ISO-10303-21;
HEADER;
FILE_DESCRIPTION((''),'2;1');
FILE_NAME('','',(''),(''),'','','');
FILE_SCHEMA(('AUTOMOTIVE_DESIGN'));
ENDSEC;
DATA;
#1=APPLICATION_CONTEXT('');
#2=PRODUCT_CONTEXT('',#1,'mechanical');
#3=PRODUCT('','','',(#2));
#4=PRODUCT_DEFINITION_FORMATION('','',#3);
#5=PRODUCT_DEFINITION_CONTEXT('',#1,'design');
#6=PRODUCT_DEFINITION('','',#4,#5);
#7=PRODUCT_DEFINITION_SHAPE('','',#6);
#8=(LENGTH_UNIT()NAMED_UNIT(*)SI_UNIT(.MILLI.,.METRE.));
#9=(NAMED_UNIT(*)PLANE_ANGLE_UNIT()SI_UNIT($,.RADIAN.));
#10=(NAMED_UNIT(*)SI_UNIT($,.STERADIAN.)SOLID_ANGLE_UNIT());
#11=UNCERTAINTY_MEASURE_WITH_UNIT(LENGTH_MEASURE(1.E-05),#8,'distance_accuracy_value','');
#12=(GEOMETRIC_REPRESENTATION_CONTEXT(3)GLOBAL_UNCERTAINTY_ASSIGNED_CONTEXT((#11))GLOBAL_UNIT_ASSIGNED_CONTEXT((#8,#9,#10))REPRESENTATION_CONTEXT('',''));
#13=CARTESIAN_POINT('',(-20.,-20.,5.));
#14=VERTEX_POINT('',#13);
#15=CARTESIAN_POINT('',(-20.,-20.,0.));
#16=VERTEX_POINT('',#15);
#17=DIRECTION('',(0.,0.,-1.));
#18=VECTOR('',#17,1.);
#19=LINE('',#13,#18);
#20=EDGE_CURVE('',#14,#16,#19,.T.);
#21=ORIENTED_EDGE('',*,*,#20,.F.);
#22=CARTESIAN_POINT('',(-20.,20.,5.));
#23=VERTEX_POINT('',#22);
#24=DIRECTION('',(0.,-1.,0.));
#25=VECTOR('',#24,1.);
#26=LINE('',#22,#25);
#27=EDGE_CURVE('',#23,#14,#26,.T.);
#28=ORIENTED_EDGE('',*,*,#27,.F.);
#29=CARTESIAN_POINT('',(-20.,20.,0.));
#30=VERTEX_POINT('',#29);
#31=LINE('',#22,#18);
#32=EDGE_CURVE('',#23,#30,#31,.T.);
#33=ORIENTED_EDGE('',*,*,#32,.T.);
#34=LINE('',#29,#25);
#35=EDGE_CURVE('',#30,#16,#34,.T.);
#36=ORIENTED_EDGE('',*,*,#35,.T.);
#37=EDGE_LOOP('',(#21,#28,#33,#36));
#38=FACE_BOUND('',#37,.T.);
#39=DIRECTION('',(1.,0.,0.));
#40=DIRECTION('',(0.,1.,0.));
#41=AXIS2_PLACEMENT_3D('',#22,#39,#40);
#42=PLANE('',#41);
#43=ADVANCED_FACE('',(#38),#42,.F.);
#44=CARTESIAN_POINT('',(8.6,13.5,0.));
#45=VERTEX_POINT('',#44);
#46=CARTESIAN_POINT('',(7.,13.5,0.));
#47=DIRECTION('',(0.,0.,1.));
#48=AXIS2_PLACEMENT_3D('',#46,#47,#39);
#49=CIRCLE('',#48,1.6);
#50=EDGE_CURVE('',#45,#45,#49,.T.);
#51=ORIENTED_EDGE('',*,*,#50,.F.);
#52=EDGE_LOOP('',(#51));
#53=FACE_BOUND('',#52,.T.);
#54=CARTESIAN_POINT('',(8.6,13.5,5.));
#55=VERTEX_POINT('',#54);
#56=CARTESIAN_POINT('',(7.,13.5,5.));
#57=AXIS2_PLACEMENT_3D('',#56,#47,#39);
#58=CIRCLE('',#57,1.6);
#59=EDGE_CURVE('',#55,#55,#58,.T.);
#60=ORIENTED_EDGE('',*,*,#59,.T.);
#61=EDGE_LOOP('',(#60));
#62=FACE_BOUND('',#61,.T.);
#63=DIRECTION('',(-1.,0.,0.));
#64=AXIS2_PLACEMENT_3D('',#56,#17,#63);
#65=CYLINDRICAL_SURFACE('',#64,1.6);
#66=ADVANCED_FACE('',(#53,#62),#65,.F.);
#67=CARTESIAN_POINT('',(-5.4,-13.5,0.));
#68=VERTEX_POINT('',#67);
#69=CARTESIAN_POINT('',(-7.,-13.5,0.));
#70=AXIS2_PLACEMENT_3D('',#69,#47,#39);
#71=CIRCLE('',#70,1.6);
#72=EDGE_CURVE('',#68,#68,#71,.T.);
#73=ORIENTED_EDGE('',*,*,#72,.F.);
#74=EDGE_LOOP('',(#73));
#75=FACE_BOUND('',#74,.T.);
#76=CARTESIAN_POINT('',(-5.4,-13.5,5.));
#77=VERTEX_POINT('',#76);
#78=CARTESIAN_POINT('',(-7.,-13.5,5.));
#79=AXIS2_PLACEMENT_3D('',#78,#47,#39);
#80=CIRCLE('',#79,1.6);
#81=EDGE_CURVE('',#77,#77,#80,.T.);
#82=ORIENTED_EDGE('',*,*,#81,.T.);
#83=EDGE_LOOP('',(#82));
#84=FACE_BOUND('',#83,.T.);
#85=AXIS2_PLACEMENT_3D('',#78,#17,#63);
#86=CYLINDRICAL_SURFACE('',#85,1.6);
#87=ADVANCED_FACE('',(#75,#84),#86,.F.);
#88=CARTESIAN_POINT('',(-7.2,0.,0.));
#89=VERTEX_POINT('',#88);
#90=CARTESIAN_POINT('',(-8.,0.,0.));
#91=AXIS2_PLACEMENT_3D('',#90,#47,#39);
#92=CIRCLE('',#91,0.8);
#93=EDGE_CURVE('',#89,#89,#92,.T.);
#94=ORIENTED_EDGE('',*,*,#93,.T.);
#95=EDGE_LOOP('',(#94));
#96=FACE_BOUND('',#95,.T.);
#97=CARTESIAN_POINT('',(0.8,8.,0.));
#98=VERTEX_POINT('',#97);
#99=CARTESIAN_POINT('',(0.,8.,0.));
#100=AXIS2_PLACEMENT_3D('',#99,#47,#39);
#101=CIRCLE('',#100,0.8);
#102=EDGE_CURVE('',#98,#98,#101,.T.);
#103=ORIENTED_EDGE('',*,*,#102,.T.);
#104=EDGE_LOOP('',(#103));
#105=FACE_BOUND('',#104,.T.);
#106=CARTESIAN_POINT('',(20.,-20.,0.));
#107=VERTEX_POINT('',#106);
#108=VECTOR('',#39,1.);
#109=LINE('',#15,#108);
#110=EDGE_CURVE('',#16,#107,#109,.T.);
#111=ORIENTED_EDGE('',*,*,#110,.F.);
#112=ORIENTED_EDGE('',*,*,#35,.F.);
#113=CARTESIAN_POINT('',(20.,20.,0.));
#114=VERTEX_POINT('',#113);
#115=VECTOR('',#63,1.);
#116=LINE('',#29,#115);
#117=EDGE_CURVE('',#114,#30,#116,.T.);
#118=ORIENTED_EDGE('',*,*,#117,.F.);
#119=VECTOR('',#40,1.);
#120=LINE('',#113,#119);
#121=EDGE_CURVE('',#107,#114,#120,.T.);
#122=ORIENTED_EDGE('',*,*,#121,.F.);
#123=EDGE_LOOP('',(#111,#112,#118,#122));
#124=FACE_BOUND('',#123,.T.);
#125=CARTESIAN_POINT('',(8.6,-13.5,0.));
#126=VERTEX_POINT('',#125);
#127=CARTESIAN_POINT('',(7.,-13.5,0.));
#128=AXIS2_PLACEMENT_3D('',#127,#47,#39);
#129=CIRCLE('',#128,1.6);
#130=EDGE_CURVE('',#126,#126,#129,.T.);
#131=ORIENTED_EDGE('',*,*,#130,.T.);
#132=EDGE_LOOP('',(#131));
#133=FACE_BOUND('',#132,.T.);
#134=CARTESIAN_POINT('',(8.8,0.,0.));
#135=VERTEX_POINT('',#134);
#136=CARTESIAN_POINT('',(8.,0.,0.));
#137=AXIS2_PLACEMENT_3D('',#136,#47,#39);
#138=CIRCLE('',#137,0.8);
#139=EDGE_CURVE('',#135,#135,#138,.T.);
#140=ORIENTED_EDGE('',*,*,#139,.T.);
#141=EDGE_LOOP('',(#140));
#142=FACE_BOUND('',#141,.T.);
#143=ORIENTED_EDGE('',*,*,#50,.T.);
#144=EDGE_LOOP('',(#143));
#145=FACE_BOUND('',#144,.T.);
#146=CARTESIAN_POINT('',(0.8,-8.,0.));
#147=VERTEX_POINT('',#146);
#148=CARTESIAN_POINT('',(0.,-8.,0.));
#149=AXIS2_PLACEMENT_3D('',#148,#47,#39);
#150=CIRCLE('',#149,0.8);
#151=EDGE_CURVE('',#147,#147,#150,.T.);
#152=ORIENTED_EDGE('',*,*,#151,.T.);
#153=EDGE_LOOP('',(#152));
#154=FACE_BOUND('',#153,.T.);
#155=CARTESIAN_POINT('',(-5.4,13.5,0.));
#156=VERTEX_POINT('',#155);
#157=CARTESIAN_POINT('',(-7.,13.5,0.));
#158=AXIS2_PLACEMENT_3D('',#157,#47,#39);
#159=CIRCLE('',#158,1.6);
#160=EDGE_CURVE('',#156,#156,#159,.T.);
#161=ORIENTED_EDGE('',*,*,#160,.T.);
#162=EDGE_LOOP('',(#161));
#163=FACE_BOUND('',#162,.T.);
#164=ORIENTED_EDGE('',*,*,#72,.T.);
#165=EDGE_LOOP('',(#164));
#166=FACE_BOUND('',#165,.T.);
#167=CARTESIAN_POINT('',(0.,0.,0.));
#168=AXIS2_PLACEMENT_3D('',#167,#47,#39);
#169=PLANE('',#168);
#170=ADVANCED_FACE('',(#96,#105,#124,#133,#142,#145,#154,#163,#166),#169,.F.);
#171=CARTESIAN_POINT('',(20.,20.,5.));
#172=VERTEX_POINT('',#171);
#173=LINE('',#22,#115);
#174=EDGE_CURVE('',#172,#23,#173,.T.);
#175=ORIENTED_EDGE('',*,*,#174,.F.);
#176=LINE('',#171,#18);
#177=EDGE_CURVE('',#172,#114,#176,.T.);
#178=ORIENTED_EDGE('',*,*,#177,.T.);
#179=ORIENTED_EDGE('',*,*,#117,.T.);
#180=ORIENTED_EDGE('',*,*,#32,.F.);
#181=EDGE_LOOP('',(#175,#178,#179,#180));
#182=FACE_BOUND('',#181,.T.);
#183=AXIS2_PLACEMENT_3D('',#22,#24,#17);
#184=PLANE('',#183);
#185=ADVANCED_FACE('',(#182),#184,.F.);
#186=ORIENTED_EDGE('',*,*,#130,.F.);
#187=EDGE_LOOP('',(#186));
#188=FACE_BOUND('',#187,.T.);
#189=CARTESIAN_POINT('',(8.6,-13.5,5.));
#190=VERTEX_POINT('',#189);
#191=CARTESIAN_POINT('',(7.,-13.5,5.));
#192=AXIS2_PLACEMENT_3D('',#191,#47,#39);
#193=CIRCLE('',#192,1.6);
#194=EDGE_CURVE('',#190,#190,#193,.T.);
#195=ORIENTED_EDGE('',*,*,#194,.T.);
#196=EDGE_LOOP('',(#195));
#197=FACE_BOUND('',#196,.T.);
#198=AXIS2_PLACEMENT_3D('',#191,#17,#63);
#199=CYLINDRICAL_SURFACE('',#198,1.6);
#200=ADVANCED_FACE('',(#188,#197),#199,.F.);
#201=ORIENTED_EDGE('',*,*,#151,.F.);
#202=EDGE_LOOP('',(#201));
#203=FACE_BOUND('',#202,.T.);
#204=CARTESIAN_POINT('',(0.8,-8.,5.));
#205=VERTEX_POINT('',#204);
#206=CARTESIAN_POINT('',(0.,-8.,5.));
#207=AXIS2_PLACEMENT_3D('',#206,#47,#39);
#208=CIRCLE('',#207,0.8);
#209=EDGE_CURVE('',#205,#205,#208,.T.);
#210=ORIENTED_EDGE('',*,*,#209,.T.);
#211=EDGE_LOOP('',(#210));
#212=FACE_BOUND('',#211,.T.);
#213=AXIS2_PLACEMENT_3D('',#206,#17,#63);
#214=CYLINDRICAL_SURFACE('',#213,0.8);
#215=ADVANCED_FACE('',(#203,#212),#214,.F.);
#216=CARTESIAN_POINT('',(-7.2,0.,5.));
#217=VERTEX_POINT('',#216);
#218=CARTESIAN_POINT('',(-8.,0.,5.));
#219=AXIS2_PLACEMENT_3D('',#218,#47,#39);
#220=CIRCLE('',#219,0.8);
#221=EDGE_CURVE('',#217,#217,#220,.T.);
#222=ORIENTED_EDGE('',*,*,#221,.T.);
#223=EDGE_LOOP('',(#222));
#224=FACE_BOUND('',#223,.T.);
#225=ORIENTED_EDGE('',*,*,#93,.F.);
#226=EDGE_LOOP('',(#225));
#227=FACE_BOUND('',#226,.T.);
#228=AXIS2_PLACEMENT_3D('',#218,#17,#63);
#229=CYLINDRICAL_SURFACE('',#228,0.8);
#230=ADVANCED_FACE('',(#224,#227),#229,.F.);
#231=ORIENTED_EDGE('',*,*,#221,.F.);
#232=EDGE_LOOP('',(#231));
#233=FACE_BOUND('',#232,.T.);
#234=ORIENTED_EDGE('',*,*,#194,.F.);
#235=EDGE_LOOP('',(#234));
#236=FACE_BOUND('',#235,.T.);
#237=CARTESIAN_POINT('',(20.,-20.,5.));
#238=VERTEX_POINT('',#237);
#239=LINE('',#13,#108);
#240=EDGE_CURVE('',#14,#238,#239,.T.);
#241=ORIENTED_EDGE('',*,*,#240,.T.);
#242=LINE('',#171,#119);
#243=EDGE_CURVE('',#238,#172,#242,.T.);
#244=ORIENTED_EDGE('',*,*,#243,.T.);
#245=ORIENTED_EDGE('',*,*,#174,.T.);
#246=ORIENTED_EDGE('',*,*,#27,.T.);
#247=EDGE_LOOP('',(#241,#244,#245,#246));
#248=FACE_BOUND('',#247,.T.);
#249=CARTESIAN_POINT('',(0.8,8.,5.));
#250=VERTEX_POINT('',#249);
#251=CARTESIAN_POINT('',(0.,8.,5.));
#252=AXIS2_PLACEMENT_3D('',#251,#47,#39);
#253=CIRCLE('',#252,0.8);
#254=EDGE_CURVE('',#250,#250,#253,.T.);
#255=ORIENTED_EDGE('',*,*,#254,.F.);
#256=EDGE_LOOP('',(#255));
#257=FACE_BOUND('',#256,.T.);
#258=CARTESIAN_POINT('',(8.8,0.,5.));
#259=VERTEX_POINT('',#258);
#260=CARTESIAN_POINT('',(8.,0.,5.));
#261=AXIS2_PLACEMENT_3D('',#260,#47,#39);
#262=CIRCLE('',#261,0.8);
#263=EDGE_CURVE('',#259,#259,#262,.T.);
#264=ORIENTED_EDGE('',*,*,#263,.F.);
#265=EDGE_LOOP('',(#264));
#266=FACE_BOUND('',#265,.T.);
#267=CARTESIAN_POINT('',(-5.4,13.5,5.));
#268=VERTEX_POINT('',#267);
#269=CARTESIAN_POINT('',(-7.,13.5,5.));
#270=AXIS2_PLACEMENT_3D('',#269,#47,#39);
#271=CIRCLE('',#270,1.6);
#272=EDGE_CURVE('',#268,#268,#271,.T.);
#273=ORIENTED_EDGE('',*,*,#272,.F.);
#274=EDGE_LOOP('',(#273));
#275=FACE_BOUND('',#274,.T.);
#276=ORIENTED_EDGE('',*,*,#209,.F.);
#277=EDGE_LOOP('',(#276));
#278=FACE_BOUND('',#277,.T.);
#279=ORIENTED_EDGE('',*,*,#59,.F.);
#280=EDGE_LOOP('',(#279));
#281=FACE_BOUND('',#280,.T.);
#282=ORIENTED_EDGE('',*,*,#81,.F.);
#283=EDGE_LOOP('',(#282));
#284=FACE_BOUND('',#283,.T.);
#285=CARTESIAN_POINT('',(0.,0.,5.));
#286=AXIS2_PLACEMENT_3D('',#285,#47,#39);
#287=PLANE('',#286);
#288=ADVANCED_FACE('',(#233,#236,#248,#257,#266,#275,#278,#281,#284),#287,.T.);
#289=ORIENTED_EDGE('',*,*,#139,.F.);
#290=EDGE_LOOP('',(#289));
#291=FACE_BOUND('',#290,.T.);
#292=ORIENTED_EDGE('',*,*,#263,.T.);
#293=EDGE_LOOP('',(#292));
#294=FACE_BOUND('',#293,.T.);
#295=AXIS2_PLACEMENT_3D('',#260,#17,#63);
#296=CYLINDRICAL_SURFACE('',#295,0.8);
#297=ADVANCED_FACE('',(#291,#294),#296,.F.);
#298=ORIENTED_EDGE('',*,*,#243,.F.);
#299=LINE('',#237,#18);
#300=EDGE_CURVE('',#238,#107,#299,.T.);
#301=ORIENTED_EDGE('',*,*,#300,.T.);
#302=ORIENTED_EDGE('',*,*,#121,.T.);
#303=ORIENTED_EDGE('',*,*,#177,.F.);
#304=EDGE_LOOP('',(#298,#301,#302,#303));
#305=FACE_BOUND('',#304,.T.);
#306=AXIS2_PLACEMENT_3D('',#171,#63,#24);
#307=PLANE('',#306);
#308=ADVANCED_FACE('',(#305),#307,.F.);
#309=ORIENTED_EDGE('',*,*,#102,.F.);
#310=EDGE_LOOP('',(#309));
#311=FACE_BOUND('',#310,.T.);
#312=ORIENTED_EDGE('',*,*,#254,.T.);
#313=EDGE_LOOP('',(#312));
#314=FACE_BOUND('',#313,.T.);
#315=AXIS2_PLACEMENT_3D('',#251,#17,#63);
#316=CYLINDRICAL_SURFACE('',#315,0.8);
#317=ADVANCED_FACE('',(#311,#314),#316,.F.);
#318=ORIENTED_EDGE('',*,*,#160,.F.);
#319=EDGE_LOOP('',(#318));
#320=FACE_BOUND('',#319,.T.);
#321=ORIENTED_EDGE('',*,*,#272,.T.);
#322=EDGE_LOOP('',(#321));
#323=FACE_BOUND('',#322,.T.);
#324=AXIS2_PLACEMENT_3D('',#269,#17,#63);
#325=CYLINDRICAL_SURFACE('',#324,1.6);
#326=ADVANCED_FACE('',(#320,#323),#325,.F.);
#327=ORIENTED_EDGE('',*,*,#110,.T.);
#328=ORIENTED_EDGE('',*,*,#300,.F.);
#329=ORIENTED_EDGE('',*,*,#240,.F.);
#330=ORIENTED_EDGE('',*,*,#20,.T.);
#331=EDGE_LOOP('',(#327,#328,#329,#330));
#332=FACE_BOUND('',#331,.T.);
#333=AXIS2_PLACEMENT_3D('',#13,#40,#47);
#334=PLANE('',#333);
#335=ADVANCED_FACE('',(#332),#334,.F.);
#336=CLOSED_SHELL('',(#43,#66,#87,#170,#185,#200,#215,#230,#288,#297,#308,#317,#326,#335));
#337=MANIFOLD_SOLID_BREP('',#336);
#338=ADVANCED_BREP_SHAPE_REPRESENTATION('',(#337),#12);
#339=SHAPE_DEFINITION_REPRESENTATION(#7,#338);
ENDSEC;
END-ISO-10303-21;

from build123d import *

# Parameters (mm, degrees)
SKETCH1_W           = 40
SKETCH1_H           = 40
SKETCH1_R           = 0.8
SKETCH1_R_2         = 1.6
BOSS_EXTRUDE1_DEPTH = 5


with BuildPart() as part:
    # Sketch1 → Boss-Extrude1 (new body)
    with BuildSketch(Plane.XY):
        Rectangle(SKETCH1_W, SKETCH1_H)
        with Locations((0, 8)):
            Circle(SKETCH1_R, mode=Mode.SUBTRACT)
        with Locations((-8, 0)):
            Circle(SKETCH1_R, mode=Mode.SUBTRACT)
        with Locations((8, 0)):
            Circle(SKETCH1_R, mode=Mode.SUBTRACT)
        with Locations((0, -8)):
            Circle(SKETCH1_R, mode=Mode.SUBTRACT)
        with Locations((7, 13.5)):
            Circle(SKETCH1_R_2, mode=Mode.SUBTRACT)
        with Locations((-7, 13.5)):
            Circle(SKETCH1_R_2, mode=Mode.SUBTRACT)
        with Locations((7, -13.5)):
            Circle(SKETCH1_R_2, mode=Mode.SUBTRACT)
        with Locations((-7, -13.5)):
            Circle(SKETCH1_R_2, mode=Mode.SUBTRACT)
    extrude(amount=BOSS_EXTRUDE1_DEPTH)


solid = part.part
